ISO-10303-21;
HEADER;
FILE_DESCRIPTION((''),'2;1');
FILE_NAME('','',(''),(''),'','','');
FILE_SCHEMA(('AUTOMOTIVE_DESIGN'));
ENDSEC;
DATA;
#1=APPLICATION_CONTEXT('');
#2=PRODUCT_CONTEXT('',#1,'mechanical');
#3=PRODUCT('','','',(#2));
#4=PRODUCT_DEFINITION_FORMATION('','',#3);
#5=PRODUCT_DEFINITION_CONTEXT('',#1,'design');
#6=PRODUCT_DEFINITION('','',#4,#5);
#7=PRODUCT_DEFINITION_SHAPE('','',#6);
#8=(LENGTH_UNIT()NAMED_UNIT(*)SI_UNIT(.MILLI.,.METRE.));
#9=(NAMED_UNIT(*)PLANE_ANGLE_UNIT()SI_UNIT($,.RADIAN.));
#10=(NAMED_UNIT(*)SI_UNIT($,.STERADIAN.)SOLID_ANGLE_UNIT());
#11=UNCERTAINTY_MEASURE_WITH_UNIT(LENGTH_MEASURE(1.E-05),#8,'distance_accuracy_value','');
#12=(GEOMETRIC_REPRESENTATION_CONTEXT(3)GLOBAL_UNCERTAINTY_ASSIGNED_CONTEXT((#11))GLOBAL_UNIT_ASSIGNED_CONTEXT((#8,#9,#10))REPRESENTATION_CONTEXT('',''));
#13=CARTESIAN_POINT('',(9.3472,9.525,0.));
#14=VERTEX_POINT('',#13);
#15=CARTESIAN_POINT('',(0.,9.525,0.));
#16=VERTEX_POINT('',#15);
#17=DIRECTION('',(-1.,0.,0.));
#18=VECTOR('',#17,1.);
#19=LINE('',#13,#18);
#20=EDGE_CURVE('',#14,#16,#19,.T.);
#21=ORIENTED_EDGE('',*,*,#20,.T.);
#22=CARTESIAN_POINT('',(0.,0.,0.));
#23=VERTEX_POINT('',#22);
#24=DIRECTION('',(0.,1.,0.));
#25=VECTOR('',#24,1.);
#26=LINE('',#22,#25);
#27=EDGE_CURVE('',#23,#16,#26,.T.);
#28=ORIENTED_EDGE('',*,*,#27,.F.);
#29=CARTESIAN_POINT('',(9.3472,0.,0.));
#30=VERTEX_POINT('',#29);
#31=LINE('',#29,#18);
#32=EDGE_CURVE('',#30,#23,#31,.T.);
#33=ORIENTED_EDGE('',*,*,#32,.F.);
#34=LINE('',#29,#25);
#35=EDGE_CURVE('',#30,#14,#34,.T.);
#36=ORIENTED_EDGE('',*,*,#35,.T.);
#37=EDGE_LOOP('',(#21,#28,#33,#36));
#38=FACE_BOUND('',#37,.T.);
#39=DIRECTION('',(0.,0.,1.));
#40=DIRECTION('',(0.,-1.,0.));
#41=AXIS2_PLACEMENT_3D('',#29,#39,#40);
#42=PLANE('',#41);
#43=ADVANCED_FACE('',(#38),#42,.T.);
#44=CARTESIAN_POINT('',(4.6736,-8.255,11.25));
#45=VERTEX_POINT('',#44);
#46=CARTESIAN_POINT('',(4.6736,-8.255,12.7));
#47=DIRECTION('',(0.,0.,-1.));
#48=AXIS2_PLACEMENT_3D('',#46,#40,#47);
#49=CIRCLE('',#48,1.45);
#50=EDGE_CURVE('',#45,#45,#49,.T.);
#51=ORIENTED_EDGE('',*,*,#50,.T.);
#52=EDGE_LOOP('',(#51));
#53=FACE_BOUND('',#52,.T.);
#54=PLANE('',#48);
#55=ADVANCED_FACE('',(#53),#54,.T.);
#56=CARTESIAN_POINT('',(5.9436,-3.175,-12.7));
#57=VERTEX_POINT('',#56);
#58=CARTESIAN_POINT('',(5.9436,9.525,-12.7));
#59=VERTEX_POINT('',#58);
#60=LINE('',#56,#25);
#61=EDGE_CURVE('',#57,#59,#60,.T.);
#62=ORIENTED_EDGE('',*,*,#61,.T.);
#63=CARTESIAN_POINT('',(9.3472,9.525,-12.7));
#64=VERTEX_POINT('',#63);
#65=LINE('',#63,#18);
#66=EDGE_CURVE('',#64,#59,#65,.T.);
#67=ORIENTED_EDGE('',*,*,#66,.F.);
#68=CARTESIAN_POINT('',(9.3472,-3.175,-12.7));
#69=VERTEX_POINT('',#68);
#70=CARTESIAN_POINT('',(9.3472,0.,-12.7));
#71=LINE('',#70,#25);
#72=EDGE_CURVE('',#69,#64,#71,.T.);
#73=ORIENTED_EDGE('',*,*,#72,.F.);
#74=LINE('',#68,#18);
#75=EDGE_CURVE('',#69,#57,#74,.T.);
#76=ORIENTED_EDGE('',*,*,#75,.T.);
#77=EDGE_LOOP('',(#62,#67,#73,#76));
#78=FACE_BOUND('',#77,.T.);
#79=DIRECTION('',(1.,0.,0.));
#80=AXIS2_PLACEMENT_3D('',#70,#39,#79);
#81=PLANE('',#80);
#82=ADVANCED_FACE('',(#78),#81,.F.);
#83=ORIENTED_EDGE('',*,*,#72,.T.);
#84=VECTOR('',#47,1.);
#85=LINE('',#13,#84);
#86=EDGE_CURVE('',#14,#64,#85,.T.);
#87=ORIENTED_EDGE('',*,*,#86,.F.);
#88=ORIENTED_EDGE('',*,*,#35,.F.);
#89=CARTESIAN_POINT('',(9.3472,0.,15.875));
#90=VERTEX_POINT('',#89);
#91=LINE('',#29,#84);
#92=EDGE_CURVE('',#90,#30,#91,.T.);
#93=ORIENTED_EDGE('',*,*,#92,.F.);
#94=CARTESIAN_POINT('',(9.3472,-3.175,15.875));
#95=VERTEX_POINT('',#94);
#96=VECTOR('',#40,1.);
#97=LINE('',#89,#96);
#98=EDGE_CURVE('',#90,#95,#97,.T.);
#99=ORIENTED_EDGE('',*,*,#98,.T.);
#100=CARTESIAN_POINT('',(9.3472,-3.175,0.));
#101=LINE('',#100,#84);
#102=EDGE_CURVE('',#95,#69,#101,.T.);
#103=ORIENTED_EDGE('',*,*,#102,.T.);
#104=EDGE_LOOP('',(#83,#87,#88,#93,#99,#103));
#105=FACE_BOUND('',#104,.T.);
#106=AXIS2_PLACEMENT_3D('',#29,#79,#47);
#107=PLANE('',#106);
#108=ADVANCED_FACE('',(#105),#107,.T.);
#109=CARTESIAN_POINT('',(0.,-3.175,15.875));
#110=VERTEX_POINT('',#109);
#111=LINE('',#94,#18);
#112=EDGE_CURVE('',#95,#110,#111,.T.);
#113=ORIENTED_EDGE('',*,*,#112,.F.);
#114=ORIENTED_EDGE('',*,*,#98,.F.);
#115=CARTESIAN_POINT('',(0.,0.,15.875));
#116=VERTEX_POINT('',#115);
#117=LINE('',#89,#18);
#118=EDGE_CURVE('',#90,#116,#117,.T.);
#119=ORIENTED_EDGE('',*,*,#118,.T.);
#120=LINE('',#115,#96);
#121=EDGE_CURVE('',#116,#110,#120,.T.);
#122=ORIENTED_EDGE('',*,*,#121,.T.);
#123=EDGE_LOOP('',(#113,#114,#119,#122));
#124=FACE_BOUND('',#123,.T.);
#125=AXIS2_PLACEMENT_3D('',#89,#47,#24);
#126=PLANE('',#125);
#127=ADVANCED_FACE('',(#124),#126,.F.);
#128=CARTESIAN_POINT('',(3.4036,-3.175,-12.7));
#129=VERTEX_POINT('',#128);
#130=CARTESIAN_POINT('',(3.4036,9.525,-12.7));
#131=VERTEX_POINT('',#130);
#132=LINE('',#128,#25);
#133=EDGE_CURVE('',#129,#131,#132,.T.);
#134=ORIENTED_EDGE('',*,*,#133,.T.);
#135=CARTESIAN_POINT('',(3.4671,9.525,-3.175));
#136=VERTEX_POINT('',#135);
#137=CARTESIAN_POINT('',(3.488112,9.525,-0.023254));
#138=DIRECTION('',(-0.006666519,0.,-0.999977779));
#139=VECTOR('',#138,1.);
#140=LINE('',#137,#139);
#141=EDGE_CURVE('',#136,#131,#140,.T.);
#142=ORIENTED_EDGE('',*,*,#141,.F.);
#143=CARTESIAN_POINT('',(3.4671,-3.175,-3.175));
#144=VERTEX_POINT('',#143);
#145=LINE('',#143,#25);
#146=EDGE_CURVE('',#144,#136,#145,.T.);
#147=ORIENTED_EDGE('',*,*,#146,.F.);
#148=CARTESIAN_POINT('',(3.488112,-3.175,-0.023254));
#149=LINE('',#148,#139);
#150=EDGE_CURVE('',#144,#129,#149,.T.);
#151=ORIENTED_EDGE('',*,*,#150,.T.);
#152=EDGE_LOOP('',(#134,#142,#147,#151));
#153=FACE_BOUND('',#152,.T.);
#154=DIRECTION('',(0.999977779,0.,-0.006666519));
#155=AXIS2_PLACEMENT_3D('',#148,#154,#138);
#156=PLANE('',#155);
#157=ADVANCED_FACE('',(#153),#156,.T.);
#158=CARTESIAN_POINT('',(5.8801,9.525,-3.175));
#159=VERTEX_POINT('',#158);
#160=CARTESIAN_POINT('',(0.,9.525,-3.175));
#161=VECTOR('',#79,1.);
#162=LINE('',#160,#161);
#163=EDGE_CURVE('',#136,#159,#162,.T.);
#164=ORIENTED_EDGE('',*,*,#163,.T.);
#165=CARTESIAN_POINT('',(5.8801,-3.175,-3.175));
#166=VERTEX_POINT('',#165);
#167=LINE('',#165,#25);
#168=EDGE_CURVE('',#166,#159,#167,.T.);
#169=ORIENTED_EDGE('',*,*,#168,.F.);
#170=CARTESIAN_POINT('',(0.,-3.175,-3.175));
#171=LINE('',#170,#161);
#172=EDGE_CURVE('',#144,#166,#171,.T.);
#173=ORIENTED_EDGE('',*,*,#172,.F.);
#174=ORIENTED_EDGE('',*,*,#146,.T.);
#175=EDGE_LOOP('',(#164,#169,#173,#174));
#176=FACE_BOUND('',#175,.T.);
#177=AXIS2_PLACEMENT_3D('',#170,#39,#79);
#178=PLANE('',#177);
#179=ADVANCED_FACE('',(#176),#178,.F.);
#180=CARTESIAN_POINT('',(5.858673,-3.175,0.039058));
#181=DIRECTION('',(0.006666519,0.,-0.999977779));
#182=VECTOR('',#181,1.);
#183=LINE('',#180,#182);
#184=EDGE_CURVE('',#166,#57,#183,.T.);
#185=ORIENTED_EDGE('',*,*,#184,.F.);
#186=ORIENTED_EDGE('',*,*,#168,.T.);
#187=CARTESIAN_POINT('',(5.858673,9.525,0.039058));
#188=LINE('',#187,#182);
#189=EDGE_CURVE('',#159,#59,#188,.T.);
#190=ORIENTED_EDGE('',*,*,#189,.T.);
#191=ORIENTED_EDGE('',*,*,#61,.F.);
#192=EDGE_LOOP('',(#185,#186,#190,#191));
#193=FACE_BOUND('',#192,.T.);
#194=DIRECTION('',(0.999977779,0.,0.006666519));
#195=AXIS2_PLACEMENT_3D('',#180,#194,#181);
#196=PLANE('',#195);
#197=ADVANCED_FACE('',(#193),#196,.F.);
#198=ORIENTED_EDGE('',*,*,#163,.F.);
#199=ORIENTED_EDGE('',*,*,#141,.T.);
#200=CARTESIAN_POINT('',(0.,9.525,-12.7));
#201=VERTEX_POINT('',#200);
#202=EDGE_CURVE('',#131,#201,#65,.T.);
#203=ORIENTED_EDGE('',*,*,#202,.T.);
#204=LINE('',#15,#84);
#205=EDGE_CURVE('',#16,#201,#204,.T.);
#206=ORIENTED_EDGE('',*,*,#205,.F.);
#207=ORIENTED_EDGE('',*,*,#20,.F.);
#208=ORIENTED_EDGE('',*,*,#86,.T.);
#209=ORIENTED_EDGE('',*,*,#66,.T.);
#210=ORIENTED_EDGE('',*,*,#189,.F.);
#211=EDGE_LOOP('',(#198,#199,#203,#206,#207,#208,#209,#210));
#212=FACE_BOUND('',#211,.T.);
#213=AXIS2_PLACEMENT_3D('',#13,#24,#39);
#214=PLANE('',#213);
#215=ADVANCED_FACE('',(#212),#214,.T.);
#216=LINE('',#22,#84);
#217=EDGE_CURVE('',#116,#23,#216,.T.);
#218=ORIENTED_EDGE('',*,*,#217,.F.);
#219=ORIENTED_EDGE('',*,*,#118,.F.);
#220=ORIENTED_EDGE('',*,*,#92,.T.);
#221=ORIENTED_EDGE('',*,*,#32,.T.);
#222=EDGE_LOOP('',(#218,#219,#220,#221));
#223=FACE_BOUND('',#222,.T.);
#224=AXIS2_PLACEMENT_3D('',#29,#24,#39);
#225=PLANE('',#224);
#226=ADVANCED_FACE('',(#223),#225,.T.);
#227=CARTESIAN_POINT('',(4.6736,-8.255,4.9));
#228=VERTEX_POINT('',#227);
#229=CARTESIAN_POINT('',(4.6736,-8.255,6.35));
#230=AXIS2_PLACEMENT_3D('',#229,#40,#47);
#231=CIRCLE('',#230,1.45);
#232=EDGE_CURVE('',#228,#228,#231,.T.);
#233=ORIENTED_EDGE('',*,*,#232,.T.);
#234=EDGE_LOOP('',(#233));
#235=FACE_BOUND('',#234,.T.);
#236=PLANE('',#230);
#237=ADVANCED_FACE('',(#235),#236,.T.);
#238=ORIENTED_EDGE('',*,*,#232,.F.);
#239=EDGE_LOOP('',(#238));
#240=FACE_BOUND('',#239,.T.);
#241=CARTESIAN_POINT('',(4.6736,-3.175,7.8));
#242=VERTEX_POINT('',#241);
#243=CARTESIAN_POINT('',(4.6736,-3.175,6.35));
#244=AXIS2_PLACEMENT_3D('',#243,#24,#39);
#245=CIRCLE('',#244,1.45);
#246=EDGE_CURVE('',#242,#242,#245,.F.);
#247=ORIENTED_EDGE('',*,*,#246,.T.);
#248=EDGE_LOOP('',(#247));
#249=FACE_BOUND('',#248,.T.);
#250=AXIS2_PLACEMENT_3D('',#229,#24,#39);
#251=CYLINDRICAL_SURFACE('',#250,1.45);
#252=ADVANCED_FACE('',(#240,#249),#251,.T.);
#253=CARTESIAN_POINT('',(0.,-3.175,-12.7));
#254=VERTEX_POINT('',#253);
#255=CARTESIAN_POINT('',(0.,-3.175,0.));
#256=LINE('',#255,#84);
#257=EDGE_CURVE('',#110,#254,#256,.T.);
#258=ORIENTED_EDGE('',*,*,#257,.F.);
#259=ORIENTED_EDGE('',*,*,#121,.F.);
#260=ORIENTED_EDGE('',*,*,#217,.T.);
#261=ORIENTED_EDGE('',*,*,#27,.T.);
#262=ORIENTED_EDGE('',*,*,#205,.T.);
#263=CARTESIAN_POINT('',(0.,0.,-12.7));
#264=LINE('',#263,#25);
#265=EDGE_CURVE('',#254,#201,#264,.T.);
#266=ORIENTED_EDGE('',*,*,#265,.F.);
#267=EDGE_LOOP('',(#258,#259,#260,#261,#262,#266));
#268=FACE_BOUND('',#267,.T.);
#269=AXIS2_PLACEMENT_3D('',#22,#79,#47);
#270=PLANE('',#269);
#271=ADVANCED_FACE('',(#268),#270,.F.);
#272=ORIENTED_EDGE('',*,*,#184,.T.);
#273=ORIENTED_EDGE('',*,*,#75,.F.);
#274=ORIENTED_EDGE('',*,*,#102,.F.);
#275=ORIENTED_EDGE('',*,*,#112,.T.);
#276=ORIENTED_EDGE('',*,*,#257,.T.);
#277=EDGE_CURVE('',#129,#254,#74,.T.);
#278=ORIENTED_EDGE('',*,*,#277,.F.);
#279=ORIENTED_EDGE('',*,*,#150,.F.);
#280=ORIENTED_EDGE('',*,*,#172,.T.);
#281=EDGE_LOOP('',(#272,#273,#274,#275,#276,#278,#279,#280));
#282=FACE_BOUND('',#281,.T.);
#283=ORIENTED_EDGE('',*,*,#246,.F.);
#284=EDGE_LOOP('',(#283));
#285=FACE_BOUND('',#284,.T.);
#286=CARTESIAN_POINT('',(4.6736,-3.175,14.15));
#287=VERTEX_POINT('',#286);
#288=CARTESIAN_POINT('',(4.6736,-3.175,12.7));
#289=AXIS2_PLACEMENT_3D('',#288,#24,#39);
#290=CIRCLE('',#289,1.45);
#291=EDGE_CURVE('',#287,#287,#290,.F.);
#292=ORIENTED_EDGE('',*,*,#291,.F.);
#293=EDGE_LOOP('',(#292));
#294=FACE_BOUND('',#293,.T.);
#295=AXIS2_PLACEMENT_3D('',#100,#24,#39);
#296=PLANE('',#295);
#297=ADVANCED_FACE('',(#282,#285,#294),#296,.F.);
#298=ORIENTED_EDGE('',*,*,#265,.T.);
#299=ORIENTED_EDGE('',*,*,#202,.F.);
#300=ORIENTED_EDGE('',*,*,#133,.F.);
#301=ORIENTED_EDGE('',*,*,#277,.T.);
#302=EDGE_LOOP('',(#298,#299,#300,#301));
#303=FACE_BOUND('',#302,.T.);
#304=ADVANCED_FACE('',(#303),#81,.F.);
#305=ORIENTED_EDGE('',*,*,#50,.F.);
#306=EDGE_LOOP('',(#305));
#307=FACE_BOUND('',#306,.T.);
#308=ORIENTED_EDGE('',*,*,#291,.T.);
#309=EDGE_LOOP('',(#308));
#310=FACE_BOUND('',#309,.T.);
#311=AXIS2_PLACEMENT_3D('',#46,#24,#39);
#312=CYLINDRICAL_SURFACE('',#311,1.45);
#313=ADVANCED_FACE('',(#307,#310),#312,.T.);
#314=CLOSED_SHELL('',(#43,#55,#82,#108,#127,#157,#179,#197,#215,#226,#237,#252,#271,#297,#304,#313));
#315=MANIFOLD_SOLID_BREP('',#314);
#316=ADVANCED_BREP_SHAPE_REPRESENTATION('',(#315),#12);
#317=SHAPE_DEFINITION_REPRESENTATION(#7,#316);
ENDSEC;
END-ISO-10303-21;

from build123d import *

# Parameters (mm, degrees)
SKETCH2_W           = 15.875
SKETCH2_H           = 3.175
BOSS_EXTRUDE1_DEPTH = 9.3472
SKETCH3_W           = 2.413
SKETCH3_H           = 9.525
CUT_EXTRUDE1_DEPTH  = 13.7
SKETCH4_R           = 1.45
BOSS_EXTRUDE2_DEPTH = 5.08


with BuildPart() as part:
    # Sketch2 → Boss-Extrude1 (new body)
    with BuildSketch(Plane(origin=(0, 0, 0), x_dir=(0, 0, -1), z_dir=(1, 0, 0))):
        with Locations((-7.9375, -1.5875)):
            Rectangle(SKETCH2_W, SKETCH2_H)
        Polygon((0, 9.525), (0, 0), (0, -3.175), (12.7, -3.175), (12.7, 9.525), align=None)
    extrude(amount=BOSS_EXTRUDE1_DEPTH)

    # Sketch3 → Cut-Extrude1 (cut, through all)
    with BuildSketch(Plane(origin=(0, 9.525, 0), x_dir=(1, 0, 0), z_dir=(0, 1, 0))):
        with Locations((4.6736, 7.9375)):
            Rectangle(SKETCH3_W, SKETCH3_H)
        Polygon((3.4671, 3.175), (3.4671, 12.7), (3.4036, 12.7), align=None)
        Polygon((5.9436, 12.7), (5.8801, 12.7), (5.8801, 3.175), align=None)
    extrude(amount=-CUT_EXTRUDE1_DEPTH, mode=Mode.SUBTRACT)

    # Sketch4 → Boss-Extrude2 (add)
    with BuildSketch(Plane.XZ.offset(3.175)):
        with Locations((4.6736, 12.7)):
            Circle(SKETCH4_R)
        with Locations((4.6736, 6.35)):
            Circle(SKETCH4_R)
    extrude(amount=BOSS_EXTRUDE2_DEPTH)


solid = part.part
